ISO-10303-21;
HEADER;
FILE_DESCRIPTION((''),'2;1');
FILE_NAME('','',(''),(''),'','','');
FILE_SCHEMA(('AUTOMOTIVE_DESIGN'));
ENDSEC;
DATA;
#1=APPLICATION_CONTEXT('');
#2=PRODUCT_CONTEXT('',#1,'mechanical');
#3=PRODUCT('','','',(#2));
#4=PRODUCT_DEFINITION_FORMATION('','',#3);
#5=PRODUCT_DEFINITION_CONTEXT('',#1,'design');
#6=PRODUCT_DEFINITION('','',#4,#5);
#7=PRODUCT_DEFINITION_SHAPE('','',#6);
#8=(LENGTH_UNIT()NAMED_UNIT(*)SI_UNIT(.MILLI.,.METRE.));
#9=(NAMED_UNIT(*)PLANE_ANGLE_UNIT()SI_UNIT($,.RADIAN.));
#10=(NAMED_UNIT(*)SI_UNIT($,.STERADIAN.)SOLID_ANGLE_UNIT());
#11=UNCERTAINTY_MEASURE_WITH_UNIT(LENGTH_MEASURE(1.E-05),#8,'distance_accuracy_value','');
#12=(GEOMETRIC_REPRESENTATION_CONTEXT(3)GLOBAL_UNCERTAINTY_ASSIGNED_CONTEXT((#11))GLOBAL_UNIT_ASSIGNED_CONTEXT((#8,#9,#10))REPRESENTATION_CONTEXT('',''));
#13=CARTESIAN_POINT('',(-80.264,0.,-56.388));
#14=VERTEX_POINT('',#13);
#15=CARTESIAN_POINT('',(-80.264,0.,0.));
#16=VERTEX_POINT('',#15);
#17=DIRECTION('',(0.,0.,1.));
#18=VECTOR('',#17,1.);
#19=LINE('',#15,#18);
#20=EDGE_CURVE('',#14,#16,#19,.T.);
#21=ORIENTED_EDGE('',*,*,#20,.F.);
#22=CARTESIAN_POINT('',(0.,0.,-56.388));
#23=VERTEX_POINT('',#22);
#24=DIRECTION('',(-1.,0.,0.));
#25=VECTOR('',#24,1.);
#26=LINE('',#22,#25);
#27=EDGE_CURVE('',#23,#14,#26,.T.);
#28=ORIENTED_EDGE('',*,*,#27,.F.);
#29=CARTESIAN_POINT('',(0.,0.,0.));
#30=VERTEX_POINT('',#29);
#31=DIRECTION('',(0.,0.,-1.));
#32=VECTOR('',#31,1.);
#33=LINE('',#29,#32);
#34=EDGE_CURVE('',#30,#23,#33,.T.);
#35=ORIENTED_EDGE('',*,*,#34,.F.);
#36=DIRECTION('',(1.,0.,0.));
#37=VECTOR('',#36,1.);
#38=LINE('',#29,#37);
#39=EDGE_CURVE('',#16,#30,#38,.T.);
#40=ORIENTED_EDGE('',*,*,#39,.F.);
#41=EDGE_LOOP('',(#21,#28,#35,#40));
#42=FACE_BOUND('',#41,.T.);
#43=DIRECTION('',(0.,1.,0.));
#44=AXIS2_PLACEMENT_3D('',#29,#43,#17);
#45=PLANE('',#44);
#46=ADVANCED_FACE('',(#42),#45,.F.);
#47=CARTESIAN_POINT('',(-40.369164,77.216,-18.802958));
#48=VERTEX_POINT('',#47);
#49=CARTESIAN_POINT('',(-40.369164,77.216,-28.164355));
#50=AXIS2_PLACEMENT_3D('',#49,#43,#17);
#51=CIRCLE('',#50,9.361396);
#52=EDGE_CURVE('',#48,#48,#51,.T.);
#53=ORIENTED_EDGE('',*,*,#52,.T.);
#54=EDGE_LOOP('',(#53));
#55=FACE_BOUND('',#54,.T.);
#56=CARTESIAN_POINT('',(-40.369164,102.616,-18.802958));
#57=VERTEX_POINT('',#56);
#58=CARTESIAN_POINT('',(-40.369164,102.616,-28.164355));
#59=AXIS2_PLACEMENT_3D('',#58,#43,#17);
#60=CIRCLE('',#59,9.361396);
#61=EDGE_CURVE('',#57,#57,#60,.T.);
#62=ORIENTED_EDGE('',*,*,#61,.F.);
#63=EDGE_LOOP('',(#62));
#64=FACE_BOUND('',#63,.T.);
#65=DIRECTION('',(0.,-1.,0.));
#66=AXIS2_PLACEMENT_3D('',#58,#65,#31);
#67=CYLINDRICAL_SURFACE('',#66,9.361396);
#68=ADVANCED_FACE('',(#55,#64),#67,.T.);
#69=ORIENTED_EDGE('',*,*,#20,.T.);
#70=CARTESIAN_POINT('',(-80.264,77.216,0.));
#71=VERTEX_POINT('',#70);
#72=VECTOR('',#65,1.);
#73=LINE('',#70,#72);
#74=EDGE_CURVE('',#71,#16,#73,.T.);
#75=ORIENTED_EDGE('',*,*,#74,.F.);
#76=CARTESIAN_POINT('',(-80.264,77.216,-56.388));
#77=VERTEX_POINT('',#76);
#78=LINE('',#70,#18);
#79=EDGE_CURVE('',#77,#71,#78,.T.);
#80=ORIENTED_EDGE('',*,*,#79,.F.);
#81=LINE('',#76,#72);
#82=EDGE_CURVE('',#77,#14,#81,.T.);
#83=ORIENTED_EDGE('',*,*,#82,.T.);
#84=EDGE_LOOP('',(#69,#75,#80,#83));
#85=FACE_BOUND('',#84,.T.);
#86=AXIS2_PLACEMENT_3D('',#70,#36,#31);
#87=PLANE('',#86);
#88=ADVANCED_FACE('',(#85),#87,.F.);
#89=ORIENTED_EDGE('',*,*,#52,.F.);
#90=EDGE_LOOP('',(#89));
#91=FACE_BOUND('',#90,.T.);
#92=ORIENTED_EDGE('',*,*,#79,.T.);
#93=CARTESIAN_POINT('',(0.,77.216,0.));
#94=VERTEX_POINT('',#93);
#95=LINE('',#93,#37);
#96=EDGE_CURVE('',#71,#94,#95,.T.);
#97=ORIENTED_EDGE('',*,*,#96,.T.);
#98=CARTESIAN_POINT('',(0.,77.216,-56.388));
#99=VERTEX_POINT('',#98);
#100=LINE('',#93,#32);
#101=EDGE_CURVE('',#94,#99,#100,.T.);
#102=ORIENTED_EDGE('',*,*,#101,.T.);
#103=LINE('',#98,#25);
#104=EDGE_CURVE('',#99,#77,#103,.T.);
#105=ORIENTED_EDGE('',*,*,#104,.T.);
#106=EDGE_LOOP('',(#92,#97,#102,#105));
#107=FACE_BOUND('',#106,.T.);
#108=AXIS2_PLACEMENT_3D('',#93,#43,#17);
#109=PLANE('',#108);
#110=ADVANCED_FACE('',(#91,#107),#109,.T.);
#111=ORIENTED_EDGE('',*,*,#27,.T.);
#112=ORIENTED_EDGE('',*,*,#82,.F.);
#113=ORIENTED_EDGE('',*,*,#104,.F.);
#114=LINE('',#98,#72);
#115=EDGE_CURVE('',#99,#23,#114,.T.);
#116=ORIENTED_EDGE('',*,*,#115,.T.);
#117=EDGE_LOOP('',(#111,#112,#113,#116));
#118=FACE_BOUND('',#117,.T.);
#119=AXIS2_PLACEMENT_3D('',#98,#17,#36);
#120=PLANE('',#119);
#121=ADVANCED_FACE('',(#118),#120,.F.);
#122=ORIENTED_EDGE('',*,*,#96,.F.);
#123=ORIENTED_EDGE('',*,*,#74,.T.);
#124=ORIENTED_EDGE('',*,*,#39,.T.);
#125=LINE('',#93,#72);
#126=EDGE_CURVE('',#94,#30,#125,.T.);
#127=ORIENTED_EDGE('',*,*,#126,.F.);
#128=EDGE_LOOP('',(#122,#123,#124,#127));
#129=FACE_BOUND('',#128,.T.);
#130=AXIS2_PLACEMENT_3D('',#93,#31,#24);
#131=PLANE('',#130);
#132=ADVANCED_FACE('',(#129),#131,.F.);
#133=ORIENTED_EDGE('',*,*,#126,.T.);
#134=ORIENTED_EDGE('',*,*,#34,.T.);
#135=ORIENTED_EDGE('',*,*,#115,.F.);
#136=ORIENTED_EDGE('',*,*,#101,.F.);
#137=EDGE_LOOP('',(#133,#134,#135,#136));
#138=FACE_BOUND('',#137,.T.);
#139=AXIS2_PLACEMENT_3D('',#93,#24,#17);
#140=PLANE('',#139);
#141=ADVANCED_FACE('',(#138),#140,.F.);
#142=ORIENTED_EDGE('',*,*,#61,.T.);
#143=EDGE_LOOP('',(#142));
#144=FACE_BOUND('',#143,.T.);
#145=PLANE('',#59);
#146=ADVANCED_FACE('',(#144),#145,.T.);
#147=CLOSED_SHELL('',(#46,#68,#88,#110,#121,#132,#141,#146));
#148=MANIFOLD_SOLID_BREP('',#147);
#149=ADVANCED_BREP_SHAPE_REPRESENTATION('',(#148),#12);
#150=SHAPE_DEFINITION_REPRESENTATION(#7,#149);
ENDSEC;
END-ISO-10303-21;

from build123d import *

# Parameters (mm, degrees)
SKETCH1_W           = 80.264
SKETCH1_H           = 56.388
BOSS_EXTRUDE1_DEPTH = 77.216
SKETCH2_R           = 9.361396041
BOSS_EXTRUDE2_DEPTH = 25.4


with BuildPart() as part:
    # Sketch1 → Boss-Extrude1 (new body)
    with BuildSketch(Plane(origin=(0, 0, 0), x_dir=(1, 0, 0), z_dir=(0, 1, 0))):
        with Locations((-40.132, 28.194)):
            Rectangle(SKETCH1_W, SKETCH1_H)
    extrude(amount=BOSS_EXTRUDE1_DEPTH)

    # Sketch2 → Boss-Extrude2 (add)
    with BuildSketch(Plane(origin=(0, 77.216, 0), x_dir=(1, 0, 0), z_dir=(0, 1, 0))):
        with Locations(Location((-40.36916368, 28.16435454, 0), (0, 0, 270))):
            Circle(SKETCH2_R)
    extrude(amount=BOSS_EXTRUDE2_DEPTH)


solid = part.part
